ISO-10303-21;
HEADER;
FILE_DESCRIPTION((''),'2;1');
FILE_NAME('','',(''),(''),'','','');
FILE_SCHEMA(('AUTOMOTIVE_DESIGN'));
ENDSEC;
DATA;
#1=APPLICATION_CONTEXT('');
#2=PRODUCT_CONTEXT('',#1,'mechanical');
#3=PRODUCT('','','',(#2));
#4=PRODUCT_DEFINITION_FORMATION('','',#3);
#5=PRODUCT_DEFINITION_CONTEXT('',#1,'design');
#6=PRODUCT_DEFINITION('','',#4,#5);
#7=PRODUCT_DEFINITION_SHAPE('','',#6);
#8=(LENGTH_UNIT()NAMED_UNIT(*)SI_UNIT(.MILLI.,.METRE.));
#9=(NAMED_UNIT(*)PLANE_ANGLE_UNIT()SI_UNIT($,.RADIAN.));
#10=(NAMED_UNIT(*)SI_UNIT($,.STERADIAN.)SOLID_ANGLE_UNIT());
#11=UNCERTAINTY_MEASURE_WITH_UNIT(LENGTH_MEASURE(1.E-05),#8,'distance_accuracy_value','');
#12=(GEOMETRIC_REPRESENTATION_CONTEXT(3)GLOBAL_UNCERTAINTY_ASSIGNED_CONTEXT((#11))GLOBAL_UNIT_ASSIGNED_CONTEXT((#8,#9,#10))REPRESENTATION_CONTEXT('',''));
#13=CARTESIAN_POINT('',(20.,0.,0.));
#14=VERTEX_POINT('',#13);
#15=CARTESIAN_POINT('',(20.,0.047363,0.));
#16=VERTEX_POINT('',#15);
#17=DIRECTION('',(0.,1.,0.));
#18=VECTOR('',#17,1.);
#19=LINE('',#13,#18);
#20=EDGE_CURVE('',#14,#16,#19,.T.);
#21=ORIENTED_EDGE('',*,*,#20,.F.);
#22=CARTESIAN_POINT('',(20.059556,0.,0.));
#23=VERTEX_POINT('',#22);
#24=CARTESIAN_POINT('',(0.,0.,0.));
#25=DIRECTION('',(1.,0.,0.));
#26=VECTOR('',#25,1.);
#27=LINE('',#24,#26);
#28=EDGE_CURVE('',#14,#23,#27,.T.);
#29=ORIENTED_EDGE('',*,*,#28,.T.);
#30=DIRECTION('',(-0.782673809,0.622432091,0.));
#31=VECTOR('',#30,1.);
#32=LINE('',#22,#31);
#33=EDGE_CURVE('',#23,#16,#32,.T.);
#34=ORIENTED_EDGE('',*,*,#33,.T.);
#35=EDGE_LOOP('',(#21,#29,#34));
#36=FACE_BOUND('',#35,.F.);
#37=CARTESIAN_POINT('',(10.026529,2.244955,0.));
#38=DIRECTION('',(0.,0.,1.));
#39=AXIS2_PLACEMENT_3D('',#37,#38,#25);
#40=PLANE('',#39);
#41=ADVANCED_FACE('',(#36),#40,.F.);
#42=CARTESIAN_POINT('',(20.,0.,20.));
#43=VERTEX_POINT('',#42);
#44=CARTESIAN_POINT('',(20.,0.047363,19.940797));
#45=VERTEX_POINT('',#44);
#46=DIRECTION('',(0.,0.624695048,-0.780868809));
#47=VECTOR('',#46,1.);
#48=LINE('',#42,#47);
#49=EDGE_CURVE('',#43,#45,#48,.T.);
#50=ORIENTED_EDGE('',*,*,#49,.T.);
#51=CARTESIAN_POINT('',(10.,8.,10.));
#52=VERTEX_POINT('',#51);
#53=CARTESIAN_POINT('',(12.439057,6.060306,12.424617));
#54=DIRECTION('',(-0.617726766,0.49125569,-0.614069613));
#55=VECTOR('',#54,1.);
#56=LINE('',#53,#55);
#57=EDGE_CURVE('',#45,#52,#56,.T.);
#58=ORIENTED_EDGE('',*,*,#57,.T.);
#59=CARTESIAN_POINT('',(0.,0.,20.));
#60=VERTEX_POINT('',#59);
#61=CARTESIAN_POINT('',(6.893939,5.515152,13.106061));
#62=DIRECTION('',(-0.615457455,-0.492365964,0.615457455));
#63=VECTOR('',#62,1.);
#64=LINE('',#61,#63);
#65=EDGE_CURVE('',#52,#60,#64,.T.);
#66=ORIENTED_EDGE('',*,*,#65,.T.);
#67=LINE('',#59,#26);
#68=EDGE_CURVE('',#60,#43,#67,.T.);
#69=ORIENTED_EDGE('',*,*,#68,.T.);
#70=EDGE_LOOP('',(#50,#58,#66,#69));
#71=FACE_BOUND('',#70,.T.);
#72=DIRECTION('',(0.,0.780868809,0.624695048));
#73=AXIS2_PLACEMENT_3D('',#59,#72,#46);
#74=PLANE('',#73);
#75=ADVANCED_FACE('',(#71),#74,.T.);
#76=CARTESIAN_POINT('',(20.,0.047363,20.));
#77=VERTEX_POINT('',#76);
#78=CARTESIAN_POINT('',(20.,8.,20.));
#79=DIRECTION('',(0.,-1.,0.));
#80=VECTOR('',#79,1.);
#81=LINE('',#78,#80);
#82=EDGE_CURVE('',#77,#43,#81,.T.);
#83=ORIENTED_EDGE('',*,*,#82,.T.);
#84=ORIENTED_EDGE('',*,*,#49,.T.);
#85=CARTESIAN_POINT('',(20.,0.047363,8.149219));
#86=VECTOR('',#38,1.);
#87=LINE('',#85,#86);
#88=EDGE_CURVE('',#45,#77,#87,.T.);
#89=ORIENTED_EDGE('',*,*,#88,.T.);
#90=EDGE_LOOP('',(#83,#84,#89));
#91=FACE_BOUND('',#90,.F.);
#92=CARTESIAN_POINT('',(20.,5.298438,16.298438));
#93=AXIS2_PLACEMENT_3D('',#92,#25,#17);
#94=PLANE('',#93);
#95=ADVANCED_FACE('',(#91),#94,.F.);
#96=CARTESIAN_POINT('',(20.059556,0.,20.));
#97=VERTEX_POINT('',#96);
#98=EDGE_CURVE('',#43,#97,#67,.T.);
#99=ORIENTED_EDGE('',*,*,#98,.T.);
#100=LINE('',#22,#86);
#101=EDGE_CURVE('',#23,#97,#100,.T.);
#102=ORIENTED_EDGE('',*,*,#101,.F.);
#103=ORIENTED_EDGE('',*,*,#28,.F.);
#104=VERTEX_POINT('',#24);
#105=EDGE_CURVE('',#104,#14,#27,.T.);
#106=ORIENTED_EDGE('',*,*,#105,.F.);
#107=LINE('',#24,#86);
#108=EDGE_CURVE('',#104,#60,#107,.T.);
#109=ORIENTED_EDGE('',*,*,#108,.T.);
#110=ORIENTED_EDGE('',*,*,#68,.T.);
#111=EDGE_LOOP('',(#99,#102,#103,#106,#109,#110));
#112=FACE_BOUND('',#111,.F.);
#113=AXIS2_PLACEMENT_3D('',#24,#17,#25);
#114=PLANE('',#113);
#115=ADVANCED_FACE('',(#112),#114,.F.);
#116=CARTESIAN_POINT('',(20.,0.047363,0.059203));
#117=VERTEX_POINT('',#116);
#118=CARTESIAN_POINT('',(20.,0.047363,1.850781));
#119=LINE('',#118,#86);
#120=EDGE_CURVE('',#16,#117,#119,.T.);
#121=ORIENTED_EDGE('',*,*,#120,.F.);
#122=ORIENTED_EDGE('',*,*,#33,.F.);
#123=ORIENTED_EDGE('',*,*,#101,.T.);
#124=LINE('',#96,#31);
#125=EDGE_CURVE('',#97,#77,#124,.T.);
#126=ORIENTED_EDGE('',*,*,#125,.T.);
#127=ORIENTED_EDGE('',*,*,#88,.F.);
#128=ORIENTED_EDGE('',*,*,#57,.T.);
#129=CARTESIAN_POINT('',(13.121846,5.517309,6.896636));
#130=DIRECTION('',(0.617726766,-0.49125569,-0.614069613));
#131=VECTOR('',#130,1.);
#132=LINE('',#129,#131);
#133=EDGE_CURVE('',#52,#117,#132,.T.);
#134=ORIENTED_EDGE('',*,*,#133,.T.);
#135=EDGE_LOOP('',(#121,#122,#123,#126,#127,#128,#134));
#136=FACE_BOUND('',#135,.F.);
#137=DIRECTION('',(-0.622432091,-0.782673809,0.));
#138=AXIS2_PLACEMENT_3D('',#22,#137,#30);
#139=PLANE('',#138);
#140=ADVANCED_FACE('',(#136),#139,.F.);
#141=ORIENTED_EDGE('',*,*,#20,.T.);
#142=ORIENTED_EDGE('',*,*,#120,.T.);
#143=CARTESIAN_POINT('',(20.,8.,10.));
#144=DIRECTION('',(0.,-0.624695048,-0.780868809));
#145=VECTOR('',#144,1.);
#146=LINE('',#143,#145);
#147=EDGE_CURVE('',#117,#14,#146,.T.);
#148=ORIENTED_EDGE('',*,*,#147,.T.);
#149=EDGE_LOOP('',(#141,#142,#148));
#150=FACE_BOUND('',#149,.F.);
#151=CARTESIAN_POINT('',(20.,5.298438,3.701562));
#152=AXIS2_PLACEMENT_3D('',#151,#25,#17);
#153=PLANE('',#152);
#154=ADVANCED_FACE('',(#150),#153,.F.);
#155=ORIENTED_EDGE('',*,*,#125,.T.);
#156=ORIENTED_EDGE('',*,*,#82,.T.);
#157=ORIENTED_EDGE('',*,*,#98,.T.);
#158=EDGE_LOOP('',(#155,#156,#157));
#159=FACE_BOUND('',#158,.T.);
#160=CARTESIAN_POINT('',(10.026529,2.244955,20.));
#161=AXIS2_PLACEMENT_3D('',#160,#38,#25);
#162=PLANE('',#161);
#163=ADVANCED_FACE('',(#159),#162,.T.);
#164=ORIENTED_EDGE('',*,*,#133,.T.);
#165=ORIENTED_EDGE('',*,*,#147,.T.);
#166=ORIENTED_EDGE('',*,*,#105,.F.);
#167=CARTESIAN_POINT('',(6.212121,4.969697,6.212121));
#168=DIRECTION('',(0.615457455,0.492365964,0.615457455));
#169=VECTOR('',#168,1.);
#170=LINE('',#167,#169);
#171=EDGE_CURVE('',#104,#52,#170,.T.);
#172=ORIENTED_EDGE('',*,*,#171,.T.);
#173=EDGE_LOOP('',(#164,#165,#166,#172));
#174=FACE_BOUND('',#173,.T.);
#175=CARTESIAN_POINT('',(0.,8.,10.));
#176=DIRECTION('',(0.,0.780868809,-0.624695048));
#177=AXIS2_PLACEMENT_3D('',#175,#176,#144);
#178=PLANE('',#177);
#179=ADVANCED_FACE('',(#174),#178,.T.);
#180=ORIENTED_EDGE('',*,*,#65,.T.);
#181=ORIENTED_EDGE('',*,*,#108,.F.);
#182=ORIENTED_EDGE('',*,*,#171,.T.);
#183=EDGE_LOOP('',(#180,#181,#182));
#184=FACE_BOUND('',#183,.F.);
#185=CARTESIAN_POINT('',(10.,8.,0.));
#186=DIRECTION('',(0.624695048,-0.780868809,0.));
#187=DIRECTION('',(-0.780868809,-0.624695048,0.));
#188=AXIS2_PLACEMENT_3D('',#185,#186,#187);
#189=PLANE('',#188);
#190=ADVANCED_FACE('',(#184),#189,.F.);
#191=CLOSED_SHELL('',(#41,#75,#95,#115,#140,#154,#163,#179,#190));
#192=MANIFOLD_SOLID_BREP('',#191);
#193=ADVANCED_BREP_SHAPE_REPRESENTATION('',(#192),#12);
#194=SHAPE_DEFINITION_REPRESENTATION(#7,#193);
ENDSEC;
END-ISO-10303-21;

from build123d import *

# Parameters (mm, degrees)
F2_DEPTH = 20
F4_DEPTH = 20


with BuildPart() as f2:
    # F1 (on Top) → F2 (new body)
    with BuildSketch(Plane.XY):
        Polygon((10, 8), (0, 0), (20.059556, 0), align=None)
    extrude(amount=F2_DEPTH)

    # F3 (on Right) → F4 (cut)
    with BuildSketch(Plane.YZ):
        Polygon((8, 10), (0, 0), (8, 0), align=None)
        Polygon((0, 20), (8, 10), (8, 20), align=None)
    extrude(amount=F4_DEPTH, mode=Mode.SUBTRACT)


solid = f2.part
